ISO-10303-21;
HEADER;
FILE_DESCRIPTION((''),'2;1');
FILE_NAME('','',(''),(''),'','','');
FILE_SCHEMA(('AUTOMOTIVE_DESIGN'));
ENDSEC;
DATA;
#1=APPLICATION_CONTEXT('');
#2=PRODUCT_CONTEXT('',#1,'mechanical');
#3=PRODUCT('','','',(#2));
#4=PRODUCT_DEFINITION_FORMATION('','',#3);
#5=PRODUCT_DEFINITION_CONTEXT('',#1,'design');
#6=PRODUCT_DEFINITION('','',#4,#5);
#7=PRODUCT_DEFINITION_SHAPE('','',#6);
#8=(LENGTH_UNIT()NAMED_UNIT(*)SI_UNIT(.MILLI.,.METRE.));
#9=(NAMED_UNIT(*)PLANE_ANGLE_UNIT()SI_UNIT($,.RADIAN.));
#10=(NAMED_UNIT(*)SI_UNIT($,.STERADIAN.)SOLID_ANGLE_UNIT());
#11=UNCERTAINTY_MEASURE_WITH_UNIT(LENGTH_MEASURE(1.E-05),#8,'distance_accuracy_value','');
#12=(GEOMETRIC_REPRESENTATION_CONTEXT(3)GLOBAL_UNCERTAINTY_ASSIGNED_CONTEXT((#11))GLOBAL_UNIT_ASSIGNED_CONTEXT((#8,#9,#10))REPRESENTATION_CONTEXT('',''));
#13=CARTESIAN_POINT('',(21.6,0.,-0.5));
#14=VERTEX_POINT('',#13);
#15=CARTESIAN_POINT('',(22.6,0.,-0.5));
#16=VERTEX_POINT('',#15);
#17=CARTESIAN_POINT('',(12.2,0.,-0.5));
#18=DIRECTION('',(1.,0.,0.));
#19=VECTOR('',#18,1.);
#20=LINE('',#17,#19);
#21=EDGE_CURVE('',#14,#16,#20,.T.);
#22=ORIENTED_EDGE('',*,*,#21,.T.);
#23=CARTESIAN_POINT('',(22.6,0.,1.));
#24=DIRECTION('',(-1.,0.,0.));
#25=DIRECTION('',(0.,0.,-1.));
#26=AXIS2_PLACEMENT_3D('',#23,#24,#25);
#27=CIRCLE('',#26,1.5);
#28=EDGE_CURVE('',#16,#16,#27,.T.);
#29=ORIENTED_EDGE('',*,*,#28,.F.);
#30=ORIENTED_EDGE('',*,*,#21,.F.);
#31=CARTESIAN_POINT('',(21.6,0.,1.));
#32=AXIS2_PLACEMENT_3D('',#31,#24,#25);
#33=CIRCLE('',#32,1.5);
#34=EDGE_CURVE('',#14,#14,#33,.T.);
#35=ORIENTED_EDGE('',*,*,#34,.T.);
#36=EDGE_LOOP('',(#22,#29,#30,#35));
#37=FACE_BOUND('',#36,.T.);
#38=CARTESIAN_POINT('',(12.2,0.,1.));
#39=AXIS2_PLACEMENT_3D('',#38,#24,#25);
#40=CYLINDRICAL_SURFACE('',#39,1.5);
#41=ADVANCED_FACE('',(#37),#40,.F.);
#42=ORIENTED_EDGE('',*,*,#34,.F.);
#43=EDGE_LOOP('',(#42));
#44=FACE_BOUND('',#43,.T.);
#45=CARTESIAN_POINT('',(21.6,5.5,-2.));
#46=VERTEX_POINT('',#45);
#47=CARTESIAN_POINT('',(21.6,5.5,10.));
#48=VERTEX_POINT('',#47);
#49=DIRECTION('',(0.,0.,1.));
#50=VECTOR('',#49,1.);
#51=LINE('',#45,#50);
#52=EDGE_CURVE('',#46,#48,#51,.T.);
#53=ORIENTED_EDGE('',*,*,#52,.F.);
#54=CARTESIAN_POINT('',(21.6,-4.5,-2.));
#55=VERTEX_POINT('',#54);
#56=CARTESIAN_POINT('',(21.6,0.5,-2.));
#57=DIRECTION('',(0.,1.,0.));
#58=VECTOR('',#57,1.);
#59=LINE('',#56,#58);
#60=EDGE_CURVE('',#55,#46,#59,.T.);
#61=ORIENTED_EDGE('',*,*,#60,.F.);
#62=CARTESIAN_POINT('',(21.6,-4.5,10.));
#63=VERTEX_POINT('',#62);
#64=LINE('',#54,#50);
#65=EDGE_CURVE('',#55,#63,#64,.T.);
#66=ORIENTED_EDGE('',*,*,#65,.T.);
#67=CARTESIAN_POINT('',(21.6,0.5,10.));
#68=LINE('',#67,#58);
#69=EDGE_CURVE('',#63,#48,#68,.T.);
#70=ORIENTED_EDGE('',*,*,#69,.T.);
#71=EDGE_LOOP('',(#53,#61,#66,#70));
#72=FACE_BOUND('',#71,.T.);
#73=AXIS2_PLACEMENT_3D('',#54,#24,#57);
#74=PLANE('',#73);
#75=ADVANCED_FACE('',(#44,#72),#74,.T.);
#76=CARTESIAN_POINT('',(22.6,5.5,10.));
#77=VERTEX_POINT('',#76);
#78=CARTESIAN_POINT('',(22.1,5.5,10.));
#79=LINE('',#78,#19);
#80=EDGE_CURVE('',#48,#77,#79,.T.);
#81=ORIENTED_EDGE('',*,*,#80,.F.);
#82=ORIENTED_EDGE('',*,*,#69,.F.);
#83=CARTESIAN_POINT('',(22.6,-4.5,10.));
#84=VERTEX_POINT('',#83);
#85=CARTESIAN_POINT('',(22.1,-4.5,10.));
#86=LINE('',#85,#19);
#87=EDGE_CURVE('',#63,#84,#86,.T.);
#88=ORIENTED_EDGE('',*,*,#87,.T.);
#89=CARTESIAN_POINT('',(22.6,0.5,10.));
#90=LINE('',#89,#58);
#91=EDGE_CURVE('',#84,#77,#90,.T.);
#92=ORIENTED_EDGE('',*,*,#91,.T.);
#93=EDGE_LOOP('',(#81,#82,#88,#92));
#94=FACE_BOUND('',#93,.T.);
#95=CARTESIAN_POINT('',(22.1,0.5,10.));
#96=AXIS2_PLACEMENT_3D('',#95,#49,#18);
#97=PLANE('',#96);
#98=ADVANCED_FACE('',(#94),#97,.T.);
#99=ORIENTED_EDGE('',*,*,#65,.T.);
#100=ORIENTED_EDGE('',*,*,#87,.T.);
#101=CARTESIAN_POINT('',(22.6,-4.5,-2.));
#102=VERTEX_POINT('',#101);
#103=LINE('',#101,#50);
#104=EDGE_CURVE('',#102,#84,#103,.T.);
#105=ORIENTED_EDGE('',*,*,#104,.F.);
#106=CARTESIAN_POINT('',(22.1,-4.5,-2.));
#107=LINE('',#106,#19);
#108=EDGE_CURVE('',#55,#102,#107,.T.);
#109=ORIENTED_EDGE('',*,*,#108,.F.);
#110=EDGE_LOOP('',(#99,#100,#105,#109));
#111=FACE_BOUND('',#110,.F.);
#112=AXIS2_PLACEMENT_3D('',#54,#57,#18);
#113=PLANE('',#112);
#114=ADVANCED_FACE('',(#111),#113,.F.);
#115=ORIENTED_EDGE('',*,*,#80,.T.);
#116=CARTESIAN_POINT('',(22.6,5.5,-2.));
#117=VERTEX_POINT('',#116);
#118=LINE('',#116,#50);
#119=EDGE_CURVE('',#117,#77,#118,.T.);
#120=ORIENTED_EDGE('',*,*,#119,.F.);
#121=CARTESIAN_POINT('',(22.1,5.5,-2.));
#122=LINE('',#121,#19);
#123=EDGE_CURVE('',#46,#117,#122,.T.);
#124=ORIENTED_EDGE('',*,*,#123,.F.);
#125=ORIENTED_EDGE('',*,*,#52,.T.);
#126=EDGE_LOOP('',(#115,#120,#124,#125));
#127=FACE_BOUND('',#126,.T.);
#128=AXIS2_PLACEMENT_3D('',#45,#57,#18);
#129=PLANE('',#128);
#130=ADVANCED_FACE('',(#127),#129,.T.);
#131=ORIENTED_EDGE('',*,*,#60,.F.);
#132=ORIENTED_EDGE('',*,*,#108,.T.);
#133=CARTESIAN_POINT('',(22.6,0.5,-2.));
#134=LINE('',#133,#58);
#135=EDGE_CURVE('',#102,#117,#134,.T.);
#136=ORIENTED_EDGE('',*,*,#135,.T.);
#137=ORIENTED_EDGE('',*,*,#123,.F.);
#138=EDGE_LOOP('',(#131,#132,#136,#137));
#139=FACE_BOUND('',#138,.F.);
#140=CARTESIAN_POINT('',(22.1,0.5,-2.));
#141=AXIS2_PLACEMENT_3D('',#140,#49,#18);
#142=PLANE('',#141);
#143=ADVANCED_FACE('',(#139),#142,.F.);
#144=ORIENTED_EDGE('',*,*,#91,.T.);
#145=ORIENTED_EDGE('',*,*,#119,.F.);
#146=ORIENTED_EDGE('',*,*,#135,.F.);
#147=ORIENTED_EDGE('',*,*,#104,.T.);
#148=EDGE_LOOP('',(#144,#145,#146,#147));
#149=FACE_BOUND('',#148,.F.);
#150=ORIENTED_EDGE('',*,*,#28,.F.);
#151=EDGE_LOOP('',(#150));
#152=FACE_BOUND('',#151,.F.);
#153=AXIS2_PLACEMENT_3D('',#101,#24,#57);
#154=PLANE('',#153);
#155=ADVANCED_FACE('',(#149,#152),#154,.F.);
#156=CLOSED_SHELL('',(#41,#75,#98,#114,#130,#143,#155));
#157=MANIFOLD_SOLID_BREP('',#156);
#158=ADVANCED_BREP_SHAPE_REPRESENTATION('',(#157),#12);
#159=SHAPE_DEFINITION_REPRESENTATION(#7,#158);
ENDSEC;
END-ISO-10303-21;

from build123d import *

# Parameters (mm, degrees)
CYLINDER3125_R               = 1.5
CYLINDER3125_DEPTH           = 12
CYLINDER3127_R               = 1.5
CYLINDER3127_DEPTH           = 4
BOX1135_W                    = 6
BOX1135_H                    = 6
BOX1135_DEPTH                = 2
COMPOUND1374_PLACEMENT_ANGLE = 90
BOX1136_W                    = 1
BOX1136_H                    = 10
BOX1136_DEPTH                = 12


with BuildPart() as v_lec3095:
    # Cylinder3125 → Cylinder3125 (new body)
    with BuildSketch(Plane(origin=(1, 14, 6), x_dir=(1, 0, 0), z_dir=(0, 0, 1))):
        Circle(CYLINDER3125_R)
    extrude(amount=CYLINDER3125_DEPTH)


with BuildPart() as v_lec3097:
    # Cylinder3127 → Cylinder3127 (new body)
    with BuildSketch(Plane(origin=(1, 14, -0.1), x_dir=(1, 0, 0), z_dir=(0, 0, 1))):
        Circle(CYLINDER3127_R)
    extrude(amount=CYLINDER3127_DEPTH)


with BuildPart() as compound1374:
    # Box1135 → Box1135 (new body)
    with BuildSketch(Plane(origin=(-2, 11, 4), x_dir=(1, 0, 0), z_dir=(0, 0, 1))):
        with Locations((3, 3)):
            Rectangle(BOX1135_W, BOX1135_H)
    extrude(amount=BOX1135_DEPTH)

    # Compound1374: union Válec3095, Válec3097
    add(v_lec3095.part)
    add(v_lec3097.part)


with BuildPart() as compound1374_1:
    # Compound1374 placement: moved
    add(compound1374.part.moved(Location((6, -14, 2))).rotate(Axis((6, -14, 2), (0, 1, 0)), COMPOUND1374_PLACEMENT_ANGLE))


with BuildPart() as cut1267:
    # Box1136 → Box1136 (new body)
    with BuildSketch(Plane(origin=(21.4, -4.5, -2), x_dir=(1, 0, 0), z_dir=(0, 0, 1))):
        with Locations((0.5, 5)):
            Rectangle(BOX1136_W, BOX1136_H)
    extrude(amount=BOX1136_DEPTH)

    # Cut1267: cut Compound1374
    add(compound1374_1.part, mode=Mode.SUBTRACT)


with BuildPart() as cut1267_1:
    # Cut1267 placement: moved
    add(cut1267.part.moved(Location((0.2, 0, 0))))


solid = cut1267_1.part
